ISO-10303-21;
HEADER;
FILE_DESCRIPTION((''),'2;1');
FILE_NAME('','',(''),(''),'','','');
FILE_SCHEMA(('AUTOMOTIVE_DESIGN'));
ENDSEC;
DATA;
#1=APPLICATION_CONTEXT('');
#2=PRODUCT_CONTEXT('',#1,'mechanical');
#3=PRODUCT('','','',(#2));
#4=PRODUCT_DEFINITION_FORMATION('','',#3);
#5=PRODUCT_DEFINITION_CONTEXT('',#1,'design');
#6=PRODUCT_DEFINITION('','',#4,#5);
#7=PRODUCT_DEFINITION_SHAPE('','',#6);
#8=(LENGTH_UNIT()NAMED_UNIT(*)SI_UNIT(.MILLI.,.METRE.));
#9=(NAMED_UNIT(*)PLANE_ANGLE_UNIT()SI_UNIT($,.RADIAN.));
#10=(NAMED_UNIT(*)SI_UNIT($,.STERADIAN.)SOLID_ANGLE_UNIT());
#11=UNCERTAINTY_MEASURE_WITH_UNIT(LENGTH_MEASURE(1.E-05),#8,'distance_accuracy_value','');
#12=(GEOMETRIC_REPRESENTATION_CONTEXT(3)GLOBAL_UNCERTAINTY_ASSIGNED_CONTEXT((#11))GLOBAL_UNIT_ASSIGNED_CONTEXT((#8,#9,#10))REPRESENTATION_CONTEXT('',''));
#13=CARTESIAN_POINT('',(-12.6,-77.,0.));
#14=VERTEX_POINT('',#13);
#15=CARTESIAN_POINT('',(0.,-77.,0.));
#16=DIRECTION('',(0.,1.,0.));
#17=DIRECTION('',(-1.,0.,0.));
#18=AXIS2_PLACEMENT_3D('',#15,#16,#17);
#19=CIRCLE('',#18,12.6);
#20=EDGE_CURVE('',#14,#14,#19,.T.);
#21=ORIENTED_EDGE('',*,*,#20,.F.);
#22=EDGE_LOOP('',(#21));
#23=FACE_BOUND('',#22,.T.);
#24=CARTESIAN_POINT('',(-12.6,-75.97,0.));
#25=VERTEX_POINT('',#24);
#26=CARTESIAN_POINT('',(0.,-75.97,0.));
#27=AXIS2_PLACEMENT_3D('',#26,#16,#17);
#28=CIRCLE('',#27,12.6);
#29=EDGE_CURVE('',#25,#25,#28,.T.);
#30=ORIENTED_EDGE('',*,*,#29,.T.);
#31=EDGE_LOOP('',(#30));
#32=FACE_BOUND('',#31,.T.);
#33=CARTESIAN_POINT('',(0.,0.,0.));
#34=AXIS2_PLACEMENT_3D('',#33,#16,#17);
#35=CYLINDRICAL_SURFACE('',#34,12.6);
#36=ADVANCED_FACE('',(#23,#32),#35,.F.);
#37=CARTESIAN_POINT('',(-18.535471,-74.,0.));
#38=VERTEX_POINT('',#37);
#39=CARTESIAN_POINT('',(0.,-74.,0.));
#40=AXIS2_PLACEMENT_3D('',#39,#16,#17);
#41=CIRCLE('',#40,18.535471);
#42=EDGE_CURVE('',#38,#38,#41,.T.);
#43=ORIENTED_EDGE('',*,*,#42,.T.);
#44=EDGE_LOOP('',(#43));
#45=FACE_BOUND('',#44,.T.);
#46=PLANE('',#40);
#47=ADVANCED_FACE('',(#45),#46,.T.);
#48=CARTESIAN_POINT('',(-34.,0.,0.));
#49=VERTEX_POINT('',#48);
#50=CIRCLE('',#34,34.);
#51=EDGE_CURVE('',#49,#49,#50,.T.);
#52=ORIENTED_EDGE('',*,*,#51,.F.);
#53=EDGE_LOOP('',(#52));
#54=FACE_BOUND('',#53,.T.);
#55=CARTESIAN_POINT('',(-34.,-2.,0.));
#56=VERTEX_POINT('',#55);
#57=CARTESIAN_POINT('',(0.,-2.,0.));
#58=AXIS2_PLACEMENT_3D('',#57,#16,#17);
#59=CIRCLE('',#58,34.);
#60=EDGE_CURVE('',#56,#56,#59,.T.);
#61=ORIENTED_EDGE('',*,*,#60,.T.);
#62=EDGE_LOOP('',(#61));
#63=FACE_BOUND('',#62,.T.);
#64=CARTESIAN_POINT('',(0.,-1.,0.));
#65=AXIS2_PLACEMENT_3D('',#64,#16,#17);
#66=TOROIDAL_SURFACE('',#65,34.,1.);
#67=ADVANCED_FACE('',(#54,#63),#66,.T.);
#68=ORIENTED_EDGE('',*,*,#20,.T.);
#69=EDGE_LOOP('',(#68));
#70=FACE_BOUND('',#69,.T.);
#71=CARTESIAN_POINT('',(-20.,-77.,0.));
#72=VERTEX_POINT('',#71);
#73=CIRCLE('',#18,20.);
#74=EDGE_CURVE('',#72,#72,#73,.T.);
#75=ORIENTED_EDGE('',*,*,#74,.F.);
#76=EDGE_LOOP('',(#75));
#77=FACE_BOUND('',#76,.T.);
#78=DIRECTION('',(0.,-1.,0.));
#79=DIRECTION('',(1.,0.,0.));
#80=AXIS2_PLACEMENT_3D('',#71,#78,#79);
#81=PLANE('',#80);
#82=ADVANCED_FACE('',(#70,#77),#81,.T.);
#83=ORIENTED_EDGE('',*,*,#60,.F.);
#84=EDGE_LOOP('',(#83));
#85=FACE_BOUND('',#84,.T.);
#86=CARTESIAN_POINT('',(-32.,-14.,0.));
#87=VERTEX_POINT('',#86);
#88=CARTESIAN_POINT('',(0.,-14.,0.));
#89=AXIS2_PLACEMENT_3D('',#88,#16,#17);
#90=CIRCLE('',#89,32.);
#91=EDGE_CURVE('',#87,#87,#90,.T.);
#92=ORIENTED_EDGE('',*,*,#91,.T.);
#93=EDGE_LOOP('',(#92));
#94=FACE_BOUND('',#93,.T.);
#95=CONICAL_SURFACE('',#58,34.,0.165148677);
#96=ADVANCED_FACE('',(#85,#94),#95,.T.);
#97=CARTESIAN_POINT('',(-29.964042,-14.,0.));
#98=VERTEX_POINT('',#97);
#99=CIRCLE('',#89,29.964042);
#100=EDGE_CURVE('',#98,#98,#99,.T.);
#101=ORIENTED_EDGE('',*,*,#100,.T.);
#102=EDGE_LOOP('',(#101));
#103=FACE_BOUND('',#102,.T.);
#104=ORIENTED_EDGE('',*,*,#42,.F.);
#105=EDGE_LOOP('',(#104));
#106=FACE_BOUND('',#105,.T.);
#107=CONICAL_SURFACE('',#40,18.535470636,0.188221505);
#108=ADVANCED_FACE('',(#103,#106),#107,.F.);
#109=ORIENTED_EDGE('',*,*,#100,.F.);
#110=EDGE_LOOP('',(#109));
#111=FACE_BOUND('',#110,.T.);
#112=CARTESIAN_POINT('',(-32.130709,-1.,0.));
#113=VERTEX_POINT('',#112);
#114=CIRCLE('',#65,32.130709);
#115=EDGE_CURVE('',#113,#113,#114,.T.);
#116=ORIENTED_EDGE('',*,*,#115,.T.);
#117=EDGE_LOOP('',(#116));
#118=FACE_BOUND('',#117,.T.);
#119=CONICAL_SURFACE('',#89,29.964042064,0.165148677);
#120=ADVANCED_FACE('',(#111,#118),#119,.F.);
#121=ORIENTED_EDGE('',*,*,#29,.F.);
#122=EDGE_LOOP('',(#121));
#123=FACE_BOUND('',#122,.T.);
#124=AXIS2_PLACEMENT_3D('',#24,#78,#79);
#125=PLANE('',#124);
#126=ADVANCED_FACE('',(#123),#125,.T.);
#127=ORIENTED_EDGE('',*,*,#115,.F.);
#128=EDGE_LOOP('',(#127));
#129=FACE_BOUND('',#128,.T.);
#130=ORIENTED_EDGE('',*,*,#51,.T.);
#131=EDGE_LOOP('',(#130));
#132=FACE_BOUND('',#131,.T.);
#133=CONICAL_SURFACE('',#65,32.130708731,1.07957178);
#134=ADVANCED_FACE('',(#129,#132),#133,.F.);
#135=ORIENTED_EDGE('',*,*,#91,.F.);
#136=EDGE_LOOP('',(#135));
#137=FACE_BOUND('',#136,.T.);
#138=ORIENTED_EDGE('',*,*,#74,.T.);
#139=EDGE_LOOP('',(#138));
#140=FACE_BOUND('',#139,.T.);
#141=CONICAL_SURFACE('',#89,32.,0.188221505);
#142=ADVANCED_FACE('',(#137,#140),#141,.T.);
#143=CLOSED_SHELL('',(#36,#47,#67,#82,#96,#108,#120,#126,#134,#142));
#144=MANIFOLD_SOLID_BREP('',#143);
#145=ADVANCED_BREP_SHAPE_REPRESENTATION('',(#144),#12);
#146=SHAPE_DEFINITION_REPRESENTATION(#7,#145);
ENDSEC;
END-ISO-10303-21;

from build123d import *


with BuildPart() as part:
    # Sketch1 → Revolve1 (revolve)
    with BuildSketch(Plane.XY):
        with BuildLine():
            Line((-32.130708731, -1), (-34, 0))
            ThreePointArc((-34, 0), (-35, -1), (-34, -2))
            Line((-34, -2), (-32, -14))
            Line((-32, -14), (-20, -77))
            Line((-20, -77), (-12.6, -77))
            Line((-12.6, -77), (-12.6, -75.97))
            Line((-12.6, -75.97), (0, -75.97))
            Line((0, -75.97), (0, -74))
            Line((0, -74), (-18.535470636, -74))
            Line((-18.535470636, -74), (-29.964042064, -14))
            Line((-29.964042064, -14), (-32.130708731, -1))
        make_face()
    revolve(axis=Axis((0, 0, 0), (0, -1, 0)))


solid = part.part
